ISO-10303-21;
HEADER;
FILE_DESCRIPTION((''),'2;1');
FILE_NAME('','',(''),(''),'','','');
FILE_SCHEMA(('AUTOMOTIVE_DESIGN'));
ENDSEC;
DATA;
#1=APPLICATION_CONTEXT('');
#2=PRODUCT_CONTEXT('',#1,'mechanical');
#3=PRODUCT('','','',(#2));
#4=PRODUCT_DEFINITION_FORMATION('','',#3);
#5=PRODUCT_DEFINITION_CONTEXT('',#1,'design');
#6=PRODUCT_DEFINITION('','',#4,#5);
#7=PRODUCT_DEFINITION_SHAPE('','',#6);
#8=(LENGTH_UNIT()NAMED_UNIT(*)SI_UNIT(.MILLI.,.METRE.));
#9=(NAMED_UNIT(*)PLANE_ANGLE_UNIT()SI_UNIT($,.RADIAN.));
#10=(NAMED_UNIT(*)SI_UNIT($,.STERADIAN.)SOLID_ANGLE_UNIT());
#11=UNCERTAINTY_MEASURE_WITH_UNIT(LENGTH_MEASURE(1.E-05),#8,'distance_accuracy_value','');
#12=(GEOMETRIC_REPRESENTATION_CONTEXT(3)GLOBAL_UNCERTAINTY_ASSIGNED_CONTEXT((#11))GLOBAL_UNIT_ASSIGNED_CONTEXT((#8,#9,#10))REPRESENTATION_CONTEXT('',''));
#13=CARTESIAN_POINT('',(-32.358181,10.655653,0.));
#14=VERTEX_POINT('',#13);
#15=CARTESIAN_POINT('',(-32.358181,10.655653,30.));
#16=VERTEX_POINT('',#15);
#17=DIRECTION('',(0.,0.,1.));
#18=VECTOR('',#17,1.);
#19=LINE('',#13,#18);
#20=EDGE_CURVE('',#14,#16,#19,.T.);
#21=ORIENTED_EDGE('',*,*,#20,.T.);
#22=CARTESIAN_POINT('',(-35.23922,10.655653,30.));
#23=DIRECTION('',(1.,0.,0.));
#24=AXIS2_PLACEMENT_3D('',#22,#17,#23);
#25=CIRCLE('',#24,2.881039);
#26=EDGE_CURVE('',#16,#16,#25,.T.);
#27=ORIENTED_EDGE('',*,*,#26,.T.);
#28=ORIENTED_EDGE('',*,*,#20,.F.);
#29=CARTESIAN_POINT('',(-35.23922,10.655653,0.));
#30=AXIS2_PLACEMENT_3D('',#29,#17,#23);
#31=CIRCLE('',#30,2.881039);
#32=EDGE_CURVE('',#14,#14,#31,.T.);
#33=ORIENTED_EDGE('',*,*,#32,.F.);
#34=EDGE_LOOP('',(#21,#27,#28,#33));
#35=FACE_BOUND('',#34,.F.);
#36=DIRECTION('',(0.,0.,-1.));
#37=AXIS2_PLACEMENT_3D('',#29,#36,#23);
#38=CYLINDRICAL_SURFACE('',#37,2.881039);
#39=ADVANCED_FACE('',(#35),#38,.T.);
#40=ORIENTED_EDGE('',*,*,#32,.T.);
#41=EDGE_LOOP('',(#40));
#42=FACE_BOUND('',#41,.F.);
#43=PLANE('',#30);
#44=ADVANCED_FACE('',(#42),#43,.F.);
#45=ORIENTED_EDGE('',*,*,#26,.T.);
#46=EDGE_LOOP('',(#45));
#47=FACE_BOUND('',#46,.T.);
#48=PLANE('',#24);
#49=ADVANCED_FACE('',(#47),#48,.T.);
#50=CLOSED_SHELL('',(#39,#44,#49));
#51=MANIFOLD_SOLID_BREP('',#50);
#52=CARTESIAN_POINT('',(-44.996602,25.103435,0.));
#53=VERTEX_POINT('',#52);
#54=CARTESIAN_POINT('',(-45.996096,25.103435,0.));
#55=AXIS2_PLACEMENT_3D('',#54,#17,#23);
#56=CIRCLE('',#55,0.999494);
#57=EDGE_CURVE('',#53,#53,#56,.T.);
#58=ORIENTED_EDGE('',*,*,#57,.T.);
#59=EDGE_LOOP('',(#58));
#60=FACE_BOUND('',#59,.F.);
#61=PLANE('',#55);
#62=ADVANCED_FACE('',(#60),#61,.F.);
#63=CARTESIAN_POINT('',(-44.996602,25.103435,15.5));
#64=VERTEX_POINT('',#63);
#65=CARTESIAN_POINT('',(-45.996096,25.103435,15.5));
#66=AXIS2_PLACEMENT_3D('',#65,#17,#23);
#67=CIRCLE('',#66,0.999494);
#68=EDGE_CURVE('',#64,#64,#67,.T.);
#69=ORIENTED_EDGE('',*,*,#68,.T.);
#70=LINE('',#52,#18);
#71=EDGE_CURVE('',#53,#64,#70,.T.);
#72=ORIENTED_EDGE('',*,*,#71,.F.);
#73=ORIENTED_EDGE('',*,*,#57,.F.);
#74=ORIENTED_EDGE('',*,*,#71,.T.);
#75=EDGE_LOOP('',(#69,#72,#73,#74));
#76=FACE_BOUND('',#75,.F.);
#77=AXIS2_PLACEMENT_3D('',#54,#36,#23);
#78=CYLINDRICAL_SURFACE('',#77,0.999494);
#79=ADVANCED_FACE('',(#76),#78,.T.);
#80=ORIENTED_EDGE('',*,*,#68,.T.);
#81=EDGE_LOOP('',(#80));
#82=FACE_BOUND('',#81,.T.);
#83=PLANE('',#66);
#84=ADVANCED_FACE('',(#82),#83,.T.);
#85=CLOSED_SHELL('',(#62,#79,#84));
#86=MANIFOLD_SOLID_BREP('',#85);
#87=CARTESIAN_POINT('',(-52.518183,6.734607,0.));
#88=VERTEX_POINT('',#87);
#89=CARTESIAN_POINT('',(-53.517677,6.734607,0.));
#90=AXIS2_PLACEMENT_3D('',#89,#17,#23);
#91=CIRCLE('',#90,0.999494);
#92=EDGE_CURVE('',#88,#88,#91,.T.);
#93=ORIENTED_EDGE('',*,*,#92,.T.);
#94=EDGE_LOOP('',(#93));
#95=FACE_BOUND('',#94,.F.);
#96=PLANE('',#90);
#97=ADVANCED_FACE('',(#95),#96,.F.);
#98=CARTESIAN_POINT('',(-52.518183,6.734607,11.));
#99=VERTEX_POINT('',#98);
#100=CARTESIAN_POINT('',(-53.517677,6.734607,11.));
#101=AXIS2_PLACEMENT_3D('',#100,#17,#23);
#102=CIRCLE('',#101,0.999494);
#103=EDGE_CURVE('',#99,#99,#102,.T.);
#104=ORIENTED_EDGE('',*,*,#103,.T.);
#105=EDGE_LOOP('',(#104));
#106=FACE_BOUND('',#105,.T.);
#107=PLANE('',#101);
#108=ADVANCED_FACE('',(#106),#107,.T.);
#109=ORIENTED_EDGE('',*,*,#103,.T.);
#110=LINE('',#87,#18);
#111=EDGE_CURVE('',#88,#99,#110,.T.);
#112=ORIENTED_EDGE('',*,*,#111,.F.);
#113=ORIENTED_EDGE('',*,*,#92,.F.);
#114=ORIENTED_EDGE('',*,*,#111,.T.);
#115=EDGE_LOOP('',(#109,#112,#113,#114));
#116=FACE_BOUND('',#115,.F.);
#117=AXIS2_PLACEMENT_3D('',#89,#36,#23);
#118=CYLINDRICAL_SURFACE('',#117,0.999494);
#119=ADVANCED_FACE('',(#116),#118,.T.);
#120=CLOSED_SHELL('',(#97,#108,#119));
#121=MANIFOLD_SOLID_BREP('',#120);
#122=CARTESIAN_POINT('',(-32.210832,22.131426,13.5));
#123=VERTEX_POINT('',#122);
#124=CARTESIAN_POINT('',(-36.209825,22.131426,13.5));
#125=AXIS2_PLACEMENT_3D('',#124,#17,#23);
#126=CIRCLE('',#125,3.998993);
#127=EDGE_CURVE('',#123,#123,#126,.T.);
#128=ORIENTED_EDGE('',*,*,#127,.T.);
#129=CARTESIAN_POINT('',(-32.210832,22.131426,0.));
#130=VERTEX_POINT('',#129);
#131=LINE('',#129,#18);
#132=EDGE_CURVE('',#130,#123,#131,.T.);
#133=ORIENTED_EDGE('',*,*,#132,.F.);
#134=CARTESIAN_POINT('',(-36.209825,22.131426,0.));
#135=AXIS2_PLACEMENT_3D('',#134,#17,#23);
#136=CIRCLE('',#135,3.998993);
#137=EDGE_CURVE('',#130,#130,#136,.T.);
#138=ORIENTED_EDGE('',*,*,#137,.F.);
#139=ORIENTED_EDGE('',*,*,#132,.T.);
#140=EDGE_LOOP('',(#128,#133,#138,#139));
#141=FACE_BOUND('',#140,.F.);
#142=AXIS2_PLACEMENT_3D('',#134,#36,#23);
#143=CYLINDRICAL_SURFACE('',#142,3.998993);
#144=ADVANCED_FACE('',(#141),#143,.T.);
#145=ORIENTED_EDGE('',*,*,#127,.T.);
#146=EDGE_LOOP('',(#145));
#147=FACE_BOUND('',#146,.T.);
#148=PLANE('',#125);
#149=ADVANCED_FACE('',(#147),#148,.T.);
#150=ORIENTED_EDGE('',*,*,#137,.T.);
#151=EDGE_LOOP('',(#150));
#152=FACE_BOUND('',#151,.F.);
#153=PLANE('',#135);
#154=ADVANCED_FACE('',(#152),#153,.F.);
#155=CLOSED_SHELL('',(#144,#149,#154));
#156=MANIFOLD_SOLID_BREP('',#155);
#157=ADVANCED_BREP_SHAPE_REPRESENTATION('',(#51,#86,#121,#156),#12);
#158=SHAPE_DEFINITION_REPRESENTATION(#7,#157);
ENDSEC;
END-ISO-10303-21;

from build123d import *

# Parameters (mm, degrees)
F0_R     = 3.998993
F1_DEPTH = 13.5
F0_R_2   = 0.999494
F2_DEPTH = 15.5
F3_DEPTH = 11
F0_R_3   = 2.881039
F4_DEPTH = 30


with BuildPart() as f1:
    # F0 (on Top) → F1 (new body)
    with BuildSketch(Plane.XY):
        with Locations((-36.209825, 22.131426)):
            Circle(F0_R)
    extrude(amount=F1_DEPTH)


with BuildPart() as f2:
    # F0 (on Top) → F2 (new body)
    with BuildSketch(Plane.XY):
        with Locations((-45.996096, 25.103435)):
            Circle(F0_R_2)
    extrude(amount=F2_DEPTH)


with BuildPart() as f3:
    # F0 (on Top) → F3 (new body)
    with BuildSketch(Plane.XY):
        with Locations((-53.517677, 6.734607)):
            Circle(F0_R_2)
    extrude(amount=F3_DEPTH)


with BuildPart() as f4:
    # F0 (on Top) → F4 (new body)
    with BuildSketch(Plane.XY):
        with Locations((-35.23922, 10.655653)):
            Circle(F0_R_3)
    extrude(amount=F4_DEPTH)


solid = Compound([f1.part, f2.part, f3.part, f4.part])
